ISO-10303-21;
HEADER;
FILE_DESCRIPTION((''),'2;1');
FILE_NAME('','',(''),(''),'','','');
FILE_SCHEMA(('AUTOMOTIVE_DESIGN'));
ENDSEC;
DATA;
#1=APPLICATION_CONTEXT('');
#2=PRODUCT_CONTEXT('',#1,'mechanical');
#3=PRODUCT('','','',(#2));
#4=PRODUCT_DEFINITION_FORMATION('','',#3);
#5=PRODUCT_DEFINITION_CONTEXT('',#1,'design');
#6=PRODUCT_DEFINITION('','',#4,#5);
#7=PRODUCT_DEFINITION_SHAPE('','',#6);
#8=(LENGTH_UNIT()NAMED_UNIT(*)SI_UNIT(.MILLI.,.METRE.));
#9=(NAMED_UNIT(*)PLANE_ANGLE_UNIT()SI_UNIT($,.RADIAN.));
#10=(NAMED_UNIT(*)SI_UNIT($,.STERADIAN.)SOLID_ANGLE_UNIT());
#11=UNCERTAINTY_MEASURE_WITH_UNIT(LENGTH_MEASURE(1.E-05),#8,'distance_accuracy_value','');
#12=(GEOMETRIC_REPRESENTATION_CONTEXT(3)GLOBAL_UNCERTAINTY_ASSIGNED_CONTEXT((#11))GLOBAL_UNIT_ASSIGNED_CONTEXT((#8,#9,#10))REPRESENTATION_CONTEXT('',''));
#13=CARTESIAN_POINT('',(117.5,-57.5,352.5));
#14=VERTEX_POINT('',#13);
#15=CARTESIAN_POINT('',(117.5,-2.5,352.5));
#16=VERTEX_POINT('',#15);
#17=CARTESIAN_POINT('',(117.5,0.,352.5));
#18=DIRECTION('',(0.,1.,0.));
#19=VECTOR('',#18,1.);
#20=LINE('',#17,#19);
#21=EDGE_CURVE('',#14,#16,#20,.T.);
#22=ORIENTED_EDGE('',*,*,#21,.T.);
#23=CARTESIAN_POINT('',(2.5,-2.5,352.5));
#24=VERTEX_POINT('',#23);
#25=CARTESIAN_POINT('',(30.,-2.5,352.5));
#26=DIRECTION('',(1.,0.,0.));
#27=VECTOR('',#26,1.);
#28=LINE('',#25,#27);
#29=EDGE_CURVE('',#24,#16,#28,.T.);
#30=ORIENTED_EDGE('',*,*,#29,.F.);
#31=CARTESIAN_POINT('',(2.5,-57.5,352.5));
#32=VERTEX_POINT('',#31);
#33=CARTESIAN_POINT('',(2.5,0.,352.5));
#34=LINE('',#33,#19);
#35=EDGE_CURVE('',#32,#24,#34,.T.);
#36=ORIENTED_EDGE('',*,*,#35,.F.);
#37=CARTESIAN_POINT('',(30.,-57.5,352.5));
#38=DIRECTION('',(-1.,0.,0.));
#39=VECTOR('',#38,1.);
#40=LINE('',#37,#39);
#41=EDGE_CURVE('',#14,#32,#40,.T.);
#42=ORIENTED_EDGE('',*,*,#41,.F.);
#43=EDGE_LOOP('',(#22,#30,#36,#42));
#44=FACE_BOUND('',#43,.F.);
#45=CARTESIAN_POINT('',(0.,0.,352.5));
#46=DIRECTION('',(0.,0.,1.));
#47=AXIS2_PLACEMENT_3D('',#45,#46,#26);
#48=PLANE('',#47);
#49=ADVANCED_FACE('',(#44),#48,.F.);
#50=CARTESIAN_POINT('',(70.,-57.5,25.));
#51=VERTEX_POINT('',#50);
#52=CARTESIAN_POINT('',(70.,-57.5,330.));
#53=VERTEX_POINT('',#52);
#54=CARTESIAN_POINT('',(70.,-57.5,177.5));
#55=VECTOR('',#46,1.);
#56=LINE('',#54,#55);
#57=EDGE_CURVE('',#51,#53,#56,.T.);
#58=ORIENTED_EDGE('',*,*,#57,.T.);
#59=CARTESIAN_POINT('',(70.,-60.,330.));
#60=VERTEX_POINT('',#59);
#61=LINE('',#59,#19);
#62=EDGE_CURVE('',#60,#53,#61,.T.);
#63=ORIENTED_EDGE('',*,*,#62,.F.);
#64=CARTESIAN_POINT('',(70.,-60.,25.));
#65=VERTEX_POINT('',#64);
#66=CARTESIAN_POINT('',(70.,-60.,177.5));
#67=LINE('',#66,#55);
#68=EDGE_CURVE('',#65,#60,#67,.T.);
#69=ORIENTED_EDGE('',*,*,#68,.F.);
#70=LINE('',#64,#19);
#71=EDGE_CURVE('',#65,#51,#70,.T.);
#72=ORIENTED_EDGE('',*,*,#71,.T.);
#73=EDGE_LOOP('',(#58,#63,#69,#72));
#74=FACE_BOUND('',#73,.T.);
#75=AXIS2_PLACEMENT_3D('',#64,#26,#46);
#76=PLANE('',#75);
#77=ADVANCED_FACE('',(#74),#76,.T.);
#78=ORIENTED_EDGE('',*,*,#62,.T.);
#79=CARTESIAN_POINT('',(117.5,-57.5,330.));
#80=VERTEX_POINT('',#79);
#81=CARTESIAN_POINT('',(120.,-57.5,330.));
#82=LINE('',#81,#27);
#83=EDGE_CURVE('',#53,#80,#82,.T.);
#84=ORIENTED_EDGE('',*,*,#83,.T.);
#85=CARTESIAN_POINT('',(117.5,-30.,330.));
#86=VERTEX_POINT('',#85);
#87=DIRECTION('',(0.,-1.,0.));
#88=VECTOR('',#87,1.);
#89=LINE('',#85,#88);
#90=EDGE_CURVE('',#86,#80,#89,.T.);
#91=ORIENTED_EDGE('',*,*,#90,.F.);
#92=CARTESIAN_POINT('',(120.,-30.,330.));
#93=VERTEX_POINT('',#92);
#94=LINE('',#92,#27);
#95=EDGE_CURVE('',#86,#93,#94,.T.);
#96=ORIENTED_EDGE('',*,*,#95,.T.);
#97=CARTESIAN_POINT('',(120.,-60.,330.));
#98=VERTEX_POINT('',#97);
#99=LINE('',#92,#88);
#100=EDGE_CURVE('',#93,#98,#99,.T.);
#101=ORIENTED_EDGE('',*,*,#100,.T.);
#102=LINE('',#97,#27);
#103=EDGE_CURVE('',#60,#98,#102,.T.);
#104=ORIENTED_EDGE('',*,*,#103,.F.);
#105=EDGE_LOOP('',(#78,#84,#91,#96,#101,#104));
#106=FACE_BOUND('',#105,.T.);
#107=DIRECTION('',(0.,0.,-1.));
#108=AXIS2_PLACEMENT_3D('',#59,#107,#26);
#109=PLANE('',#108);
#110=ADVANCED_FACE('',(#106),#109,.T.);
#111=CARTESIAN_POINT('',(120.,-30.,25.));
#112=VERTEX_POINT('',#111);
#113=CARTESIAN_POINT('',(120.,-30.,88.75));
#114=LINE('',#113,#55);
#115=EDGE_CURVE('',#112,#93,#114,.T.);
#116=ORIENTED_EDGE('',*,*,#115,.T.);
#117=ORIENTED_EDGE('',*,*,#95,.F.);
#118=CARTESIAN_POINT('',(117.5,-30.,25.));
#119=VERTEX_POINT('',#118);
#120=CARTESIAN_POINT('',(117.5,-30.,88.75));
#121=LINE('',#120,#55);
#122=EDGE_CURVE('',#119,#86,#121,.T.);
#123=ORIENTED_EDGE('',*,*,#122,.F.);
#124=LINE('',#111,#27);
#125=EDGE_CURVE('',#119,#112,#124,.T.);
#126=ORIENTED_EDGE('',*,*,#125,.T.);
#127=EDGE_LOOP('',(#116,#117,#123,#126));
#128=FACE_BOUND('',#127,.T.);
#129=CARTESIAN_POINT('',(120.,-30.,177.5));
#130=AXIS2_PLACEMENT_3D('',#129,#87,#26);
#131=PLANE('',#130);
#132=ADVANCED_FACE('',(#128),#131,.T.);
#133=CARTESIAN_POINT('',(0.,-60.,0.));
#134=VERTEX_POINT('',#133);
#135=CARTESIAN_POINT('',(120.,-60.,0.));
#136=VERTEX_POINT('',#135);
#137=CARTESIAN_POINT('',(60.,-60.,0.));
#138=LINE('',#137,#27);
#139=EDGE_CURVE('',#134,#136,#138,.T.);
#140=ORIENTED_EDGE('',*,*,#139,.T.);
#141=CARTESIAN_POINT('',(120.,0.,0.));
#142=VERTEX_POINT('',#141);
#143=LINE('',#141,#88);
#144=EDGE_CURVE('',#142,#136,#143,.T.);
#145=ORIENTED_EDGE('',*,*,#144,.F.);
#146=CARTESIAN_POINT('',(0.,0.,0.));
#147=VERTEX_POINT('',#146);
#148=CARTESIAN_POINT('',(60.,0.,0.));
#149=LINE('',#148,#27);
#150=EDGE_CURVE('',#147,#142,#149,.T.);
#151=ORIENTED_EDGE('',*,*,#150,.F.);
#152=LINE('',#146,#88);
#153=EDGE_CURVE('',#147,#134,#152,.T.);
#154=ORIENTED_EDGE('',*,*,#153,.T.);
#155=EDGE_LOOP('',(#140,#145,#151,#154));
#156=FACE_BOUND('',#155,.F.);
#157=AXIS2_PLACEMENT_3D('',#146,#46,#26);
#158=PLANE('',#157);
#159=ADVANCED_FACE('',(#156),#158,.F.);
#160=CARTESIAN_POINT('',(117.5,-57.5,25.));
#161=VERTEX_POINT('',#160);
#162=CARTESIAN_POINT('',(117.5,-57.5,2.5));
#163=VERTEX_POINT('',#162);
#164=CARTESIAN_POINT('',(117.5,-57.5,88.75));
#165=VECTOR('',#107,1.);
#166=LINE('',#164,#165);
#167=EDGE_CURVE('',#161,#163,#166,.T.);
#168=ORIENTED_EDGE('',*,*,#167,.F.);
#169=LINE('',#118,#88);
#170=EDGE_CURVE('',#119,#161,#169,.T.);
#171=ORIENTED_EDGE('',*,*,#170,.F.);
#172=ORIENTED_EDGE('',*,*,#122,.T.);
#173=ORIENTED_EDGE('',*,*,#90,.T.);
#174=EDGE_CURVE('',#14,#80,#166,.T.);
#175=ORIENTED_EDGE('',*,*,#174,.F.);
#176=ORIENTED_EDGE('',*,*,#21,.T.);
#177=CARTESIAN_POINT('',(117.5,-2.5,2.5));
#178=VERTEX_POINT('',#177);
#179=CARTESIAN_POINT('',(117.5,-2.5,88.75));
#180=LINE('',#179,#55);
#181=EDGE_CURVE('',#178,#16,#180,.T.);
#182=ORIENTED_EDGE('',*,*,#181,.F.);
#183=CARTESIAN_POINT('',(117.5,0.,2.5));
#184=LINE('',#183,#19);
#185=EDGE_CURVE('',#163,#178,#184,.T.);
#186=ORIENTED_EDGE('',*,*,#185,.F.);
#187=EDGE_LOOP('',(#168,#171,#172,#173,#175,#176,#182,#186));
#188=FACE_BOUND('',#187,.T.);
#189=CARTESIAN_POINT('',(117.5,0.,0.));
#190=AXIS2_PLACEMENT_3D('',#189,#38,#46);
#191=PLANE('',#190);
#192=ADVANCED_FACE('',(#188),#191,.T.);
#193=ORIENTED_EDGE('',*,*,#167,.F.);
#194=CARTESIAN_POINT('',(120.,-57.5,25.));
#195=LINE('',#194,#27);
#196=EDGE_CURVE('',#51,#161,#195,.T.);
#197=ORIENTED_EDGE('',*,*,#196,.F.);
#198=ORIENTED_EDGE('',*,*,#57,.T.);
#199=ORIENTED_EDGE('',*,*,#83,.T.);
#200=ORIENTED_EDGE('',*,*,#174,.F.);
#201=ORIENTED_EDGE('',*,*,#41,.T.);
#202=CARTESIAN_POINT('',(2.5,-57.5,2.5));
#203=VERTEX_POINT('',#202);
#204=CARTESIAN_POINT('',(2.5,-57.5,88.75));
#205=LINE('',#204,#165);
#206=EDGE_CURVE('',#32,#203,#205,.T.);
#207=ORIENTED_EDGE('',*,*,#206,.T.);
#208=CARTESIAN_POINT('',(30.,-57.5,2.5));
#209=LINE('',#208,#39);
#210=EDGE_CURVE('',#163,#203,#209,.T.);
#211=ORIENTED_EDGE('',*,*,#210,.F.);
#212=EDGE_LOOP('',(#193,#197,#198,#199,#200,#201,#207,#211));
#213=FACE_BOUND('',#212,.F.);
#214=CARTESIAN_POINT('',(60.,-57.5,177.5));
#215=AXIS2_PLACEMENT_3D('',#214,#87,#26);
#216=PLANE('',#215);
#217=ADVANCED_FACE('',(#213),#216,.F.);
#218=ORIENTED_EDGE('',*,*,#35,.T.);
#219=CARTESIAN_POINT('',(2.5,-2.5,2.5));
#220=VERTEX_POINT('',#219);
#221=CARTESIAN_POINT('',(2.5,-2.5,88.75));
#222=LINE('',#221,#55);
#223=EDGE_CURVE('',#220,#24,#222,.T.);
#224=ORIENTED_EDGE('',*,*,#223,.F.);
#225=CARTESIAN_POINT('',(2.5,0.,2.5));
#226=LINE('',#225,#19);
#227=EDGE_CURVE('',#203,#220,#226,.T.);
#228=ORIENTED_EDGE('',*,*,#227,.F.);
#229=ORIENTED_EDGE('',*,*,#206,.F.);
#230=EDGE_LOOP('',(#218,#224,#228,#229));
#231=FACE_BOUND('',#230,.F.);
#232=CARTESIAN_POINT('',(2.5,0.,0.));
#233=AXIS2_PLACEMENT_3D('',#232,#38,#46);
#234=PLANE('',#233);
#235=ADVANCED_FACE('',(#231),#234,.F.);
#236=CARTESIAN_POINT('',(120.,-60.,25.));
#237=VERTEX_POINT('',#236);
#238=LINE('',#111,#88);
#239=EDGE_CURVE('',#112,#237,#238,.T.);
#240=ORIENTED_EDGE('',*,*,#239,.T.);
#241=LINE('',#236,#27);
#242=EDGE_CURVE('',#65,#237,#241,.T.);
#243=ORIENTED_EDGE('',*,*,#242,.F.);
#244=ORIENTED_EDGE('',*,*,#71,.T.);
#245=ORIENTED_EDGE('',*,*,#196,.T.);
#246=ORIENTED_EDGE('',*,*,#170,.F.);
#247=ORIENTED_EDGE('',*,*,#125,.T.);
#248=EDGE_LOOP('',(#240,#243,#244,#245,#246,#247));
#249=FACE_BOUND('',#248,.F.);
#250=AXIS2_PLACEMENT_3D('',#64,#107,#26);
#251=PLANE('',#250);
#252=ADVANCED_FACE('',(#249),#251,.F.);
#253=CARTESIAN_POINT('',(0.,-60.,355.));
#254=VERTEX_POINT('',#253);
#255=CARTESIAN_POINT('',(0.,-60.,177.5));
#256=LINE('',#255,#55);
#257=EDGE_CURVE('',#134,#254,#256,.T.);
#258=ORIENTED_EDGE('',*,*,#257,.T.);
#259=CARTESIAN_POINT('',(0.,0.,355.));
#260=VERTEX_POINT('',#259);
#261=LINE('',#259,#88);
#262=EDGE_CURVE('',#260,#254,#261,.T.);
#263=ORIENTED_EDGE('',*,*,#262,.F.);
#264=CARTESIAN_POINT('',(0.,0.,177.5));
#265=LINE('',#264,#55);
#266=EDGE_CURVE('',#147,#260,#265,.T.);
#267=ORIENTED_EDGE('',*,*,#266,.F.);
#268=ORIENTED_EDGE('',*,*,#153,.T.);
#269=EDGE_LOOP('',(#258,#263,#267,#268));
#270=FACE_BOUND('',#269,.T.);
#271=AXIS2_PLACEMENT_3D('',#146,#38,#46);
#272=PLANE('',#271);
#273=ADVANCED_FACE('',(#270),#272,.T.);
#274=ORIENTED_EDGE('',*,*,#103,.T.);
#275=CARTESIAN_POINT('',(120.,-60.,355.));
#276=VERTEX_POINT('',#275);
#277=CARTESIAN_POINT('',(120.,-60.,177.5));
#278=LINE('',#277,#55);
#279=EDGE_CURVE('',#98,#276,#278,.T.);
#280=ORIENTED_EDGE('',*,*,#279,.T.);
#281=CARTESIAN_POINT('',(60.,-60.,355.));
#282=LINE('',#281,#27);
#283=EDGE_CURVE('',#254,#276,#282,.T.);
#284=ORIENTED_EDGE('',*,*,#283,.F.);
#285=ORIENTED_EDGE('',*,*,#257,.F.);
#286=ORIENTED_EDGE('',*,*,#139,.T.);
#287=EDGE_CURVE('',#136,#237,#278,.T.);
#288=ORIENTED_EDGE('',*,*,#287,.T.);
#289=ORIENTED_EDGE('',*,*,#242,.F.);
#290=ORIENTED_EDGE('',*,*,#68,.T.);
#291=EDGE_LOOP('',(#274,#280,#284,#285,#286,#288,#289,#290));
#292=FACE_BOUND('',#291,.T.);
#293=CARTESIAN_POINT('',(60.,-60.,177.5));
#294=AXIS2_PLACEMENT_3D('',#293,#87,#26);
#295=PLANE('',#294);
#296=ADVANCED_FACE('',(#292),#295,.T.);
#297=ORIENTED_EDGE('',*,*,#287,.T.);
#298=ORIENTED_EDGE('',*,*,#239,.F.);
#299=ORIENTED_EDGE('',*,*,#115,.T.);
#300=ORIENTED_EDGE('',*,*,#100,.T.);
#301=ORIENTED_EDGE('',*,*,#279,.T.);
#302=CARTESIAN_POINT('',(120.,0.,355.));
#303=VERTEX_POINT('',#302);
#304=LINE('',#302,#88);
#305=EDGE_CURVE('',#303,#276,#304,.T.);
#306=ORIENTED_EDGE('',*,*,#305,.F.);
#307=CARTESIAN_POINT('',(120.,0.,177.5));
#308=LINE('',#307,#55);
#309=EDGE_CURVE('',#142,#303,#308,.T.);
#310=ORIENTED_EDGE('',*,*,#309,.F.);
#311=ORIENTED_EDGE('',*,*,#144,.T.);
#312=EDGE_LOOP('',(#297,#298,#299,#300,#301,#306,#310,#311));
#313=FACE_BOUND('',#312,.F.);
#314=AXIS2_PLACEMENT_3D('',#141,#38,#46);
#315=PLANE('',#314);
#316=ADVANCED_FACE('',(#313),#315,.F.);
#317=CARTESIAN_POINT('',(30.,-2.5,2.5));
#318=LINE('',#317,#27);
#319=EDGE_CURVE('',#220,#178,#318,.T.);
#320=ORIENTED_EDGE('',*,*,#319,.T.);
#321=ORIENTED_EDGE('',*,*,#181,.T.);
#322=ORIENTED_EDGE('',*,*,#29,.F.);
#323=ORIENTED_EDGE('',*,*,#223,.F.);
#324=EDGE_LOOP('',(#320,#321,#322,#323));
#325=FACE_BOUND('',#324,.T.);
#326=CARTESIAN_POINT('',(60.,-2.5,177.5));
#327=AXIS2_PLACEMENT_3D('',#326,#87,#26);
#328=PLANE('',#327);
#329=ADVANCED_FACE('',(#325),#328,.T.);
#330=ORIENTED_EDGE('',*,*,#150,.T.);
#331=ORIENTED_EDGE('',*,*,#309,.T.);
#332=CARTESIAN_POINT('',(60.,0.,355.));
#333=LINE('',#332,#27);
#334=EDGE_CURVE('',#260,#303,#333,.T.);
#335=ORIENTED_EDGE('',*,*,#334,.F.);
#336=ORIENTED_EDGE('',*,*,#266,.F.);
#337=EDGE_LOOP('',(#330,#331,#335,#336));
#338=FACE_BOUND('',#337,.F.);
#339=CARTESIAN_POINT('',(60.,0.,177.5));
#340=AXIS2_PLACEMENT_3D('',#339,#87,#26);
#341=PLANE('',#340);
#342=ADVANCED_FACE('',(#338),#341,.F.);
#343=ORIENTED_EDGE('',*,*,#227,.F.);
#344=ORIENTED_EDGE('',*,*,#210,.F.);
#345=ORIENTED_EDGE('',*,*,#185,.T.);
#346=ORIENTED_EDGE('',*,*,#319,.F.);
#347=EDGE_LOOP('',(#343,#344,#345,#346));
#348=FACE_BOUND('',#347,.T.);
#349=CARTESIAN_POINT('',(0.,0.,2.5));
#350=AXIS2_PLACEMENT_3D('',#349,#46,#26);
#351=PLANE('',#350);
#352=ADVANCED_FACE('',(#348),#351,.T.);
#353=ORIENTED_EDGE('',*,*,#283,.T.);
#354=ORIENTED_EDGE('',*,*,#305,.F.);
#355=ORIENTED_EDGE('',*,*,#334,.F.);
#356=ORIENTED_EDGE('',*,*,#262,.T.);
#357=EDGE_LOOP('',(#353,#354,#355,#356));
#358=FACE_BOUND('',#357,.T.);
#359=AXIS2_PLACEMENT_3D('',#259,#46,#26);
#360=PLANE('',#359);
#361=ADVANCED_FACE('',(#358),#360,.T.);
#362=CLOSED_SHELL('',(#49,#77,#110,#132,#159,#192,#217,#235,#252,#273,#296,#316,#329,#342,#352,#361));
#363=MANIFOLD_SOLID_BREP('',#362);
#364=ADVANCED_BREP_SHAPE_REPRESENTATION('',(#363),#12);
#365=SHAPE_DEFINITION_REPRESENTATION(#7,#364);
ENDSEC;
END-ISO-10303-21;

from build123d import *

# Parameters (mm, degrees)
F0_W     = 120
F0_H     = 355
F1_DEPTH = 60
F2_W     = 100
F2_H     = 305
F3_DEPTH = 30
F4_T     = -2.5


with BuildPart() as f1:
    # F0 (on Front) → F1 (new body)
    with BuildSketch(Plane.XZ):
        with Locations((60, 177.5)):
            Rectangle(F0_W, F0_H)
    extrude(amount=F1_DEPTH)

    # F2 (on face) → F3 (cut)
    with BuildSketch(Plane.XZ.offset(60)):
        with Locations((120, 177.5)):
            Rectangle(F2_W, F2_H)
    extrude(amount=-F3_DEPTH, mode=Mode.SUBTRACT)

    # F4
    f4_openings = [f1.faces().sort_by_distance(p)[0] for p in [
        (95, -45, 330),
        (70, -45, 177.5),
        (95, -30, 177.5),
        (95, -45, 25),
    ]]
    offset(amount=F4_T, openings=f4_openings)


solid = f1.part
